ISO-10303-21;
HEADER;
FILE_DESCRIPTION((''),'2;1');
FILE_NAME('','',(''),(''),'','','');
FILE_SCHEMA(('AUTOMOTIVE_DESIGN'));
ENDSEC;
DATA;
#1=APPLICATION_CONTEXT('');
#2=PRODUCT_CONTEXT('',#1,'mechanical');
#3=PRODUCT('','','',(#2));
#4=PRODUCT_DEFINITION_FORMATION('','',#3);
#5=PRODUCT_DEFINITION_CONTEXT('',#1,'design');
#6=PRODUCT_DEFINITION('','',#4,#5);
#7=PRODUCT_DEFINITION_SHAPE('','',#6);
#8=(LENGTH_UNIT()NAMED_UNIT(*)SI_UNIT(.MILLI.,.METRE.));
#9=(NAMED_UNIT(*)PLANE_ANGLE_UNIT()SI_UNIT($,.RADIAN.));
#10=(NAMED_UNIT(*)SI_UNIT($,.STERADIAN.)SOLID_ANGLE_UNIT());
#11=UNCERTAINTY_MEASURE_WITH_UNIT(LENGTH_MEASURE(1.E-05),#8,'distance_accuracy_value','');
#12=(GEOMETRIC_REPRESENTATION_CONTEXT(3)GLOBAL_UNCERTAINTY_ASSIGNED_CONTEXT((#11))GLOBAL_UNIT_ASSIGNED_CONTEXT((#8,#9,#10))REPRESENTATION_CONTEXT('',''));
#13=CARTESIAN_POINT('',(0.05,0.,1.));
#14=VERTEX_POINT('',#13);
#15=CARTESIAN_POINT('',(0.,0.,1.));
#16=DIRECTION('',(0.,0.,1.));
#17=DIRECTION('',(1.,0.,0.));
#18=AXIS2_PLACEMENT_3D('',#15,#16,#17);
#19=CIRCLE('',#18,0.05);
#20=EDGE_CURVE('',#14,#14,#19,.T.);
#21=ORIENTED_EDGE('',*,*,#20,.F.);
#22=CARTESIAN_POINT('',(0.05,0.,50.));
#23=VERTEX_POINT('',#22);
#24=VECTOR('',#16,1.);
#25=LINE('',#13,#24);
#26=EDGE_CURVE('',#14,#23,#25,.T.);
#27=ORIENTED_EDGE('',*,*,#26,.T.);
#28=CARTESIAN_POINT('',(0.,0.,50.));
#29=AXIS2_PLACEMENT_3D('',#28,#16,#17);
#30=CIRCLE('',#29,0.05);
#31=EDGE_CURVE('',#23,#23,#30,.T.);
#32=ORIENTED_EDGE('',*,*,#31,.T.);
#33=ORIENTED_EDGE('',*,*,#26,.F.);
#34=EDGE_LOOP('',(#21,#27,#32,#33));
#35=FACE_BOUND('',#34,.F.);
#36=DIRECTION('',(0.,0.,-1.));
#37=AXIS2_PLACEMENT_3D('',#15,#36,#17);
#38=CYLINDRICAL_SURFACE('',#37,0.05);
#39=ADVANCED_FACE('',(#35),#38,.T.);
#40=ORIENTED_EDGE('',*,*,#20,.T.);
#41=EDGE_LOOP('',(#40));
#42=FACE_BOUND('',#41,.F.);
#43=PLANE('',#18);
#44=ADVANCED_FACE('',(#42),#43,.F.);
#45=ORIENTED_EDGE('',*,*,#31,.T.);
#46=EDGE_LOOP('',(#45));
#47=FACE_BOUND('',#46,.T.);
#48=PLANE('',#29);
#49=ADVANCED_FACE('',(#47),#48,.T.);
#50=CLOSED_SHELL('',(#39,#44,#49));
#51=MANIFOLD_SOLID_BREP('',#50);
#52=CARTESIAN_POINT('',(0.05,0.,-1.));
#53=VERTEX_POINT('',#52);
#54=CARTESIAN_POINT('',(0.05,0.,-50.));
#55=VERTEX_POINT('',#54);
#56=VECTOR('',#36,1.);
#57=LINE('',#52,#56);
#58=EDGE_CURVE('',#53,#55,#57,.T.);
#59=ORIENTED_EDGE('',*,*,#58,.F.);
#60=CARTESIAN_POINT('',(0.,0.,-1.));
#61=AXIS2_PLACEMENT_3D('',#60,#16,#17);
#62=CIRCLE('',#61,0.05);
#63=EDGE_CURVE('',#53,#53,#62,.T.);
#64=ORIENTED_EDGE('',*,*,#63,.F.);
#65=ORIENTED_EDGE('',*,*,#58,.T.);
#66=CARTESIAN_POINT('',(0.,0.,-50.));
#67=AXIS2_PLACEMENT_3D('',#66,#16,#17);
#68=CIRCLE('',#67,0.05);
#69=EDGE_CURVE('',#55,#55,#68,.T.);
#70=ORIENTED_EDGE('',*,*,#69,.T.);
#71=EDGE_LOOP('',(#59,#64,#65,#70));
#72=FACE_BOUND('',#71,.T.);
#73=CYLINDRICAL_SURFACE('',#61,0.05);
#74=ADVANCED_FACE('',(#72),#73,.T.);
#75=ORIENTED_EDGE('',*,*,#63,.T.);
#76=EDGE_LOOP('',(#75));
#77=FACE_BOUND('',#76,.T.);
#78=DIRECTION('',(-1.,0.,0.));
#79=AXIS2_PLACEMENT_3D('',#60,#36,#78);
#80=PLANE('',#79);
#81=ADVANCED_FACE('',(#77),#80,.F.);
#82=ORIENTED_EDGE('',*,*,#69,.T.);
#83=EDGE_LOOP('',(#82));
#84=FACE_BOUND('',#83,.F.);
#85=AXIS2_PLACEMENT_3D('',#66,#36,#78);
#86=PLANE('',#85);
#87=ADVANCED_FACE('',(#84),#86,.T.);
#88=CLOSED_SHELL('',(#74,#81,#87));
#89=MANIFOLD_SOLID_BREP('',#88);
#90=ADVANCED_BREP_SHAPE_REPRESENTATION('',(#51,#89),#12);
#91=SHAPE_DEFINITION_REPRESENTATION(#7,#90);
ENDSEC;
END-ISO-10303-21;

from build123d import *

# Parameters (mm, degrees)
F1_START = 1
F0_R     = 0.05
F1_DEPTH = 49


with BuildPart() as f1:
    # F0 (on Top) → F1 (new body)
    with BuildSketch(Plane.XY.offset(F1_START)):
        Circle(F0_R)
    extrude(amount=F1_DEPTH)


with BuildPart() as f2_1:
    # F2: instance of F1
    add(f1.part.mirror(Plane.XY))


solid = Compound([f1.part, f2_1.part])
